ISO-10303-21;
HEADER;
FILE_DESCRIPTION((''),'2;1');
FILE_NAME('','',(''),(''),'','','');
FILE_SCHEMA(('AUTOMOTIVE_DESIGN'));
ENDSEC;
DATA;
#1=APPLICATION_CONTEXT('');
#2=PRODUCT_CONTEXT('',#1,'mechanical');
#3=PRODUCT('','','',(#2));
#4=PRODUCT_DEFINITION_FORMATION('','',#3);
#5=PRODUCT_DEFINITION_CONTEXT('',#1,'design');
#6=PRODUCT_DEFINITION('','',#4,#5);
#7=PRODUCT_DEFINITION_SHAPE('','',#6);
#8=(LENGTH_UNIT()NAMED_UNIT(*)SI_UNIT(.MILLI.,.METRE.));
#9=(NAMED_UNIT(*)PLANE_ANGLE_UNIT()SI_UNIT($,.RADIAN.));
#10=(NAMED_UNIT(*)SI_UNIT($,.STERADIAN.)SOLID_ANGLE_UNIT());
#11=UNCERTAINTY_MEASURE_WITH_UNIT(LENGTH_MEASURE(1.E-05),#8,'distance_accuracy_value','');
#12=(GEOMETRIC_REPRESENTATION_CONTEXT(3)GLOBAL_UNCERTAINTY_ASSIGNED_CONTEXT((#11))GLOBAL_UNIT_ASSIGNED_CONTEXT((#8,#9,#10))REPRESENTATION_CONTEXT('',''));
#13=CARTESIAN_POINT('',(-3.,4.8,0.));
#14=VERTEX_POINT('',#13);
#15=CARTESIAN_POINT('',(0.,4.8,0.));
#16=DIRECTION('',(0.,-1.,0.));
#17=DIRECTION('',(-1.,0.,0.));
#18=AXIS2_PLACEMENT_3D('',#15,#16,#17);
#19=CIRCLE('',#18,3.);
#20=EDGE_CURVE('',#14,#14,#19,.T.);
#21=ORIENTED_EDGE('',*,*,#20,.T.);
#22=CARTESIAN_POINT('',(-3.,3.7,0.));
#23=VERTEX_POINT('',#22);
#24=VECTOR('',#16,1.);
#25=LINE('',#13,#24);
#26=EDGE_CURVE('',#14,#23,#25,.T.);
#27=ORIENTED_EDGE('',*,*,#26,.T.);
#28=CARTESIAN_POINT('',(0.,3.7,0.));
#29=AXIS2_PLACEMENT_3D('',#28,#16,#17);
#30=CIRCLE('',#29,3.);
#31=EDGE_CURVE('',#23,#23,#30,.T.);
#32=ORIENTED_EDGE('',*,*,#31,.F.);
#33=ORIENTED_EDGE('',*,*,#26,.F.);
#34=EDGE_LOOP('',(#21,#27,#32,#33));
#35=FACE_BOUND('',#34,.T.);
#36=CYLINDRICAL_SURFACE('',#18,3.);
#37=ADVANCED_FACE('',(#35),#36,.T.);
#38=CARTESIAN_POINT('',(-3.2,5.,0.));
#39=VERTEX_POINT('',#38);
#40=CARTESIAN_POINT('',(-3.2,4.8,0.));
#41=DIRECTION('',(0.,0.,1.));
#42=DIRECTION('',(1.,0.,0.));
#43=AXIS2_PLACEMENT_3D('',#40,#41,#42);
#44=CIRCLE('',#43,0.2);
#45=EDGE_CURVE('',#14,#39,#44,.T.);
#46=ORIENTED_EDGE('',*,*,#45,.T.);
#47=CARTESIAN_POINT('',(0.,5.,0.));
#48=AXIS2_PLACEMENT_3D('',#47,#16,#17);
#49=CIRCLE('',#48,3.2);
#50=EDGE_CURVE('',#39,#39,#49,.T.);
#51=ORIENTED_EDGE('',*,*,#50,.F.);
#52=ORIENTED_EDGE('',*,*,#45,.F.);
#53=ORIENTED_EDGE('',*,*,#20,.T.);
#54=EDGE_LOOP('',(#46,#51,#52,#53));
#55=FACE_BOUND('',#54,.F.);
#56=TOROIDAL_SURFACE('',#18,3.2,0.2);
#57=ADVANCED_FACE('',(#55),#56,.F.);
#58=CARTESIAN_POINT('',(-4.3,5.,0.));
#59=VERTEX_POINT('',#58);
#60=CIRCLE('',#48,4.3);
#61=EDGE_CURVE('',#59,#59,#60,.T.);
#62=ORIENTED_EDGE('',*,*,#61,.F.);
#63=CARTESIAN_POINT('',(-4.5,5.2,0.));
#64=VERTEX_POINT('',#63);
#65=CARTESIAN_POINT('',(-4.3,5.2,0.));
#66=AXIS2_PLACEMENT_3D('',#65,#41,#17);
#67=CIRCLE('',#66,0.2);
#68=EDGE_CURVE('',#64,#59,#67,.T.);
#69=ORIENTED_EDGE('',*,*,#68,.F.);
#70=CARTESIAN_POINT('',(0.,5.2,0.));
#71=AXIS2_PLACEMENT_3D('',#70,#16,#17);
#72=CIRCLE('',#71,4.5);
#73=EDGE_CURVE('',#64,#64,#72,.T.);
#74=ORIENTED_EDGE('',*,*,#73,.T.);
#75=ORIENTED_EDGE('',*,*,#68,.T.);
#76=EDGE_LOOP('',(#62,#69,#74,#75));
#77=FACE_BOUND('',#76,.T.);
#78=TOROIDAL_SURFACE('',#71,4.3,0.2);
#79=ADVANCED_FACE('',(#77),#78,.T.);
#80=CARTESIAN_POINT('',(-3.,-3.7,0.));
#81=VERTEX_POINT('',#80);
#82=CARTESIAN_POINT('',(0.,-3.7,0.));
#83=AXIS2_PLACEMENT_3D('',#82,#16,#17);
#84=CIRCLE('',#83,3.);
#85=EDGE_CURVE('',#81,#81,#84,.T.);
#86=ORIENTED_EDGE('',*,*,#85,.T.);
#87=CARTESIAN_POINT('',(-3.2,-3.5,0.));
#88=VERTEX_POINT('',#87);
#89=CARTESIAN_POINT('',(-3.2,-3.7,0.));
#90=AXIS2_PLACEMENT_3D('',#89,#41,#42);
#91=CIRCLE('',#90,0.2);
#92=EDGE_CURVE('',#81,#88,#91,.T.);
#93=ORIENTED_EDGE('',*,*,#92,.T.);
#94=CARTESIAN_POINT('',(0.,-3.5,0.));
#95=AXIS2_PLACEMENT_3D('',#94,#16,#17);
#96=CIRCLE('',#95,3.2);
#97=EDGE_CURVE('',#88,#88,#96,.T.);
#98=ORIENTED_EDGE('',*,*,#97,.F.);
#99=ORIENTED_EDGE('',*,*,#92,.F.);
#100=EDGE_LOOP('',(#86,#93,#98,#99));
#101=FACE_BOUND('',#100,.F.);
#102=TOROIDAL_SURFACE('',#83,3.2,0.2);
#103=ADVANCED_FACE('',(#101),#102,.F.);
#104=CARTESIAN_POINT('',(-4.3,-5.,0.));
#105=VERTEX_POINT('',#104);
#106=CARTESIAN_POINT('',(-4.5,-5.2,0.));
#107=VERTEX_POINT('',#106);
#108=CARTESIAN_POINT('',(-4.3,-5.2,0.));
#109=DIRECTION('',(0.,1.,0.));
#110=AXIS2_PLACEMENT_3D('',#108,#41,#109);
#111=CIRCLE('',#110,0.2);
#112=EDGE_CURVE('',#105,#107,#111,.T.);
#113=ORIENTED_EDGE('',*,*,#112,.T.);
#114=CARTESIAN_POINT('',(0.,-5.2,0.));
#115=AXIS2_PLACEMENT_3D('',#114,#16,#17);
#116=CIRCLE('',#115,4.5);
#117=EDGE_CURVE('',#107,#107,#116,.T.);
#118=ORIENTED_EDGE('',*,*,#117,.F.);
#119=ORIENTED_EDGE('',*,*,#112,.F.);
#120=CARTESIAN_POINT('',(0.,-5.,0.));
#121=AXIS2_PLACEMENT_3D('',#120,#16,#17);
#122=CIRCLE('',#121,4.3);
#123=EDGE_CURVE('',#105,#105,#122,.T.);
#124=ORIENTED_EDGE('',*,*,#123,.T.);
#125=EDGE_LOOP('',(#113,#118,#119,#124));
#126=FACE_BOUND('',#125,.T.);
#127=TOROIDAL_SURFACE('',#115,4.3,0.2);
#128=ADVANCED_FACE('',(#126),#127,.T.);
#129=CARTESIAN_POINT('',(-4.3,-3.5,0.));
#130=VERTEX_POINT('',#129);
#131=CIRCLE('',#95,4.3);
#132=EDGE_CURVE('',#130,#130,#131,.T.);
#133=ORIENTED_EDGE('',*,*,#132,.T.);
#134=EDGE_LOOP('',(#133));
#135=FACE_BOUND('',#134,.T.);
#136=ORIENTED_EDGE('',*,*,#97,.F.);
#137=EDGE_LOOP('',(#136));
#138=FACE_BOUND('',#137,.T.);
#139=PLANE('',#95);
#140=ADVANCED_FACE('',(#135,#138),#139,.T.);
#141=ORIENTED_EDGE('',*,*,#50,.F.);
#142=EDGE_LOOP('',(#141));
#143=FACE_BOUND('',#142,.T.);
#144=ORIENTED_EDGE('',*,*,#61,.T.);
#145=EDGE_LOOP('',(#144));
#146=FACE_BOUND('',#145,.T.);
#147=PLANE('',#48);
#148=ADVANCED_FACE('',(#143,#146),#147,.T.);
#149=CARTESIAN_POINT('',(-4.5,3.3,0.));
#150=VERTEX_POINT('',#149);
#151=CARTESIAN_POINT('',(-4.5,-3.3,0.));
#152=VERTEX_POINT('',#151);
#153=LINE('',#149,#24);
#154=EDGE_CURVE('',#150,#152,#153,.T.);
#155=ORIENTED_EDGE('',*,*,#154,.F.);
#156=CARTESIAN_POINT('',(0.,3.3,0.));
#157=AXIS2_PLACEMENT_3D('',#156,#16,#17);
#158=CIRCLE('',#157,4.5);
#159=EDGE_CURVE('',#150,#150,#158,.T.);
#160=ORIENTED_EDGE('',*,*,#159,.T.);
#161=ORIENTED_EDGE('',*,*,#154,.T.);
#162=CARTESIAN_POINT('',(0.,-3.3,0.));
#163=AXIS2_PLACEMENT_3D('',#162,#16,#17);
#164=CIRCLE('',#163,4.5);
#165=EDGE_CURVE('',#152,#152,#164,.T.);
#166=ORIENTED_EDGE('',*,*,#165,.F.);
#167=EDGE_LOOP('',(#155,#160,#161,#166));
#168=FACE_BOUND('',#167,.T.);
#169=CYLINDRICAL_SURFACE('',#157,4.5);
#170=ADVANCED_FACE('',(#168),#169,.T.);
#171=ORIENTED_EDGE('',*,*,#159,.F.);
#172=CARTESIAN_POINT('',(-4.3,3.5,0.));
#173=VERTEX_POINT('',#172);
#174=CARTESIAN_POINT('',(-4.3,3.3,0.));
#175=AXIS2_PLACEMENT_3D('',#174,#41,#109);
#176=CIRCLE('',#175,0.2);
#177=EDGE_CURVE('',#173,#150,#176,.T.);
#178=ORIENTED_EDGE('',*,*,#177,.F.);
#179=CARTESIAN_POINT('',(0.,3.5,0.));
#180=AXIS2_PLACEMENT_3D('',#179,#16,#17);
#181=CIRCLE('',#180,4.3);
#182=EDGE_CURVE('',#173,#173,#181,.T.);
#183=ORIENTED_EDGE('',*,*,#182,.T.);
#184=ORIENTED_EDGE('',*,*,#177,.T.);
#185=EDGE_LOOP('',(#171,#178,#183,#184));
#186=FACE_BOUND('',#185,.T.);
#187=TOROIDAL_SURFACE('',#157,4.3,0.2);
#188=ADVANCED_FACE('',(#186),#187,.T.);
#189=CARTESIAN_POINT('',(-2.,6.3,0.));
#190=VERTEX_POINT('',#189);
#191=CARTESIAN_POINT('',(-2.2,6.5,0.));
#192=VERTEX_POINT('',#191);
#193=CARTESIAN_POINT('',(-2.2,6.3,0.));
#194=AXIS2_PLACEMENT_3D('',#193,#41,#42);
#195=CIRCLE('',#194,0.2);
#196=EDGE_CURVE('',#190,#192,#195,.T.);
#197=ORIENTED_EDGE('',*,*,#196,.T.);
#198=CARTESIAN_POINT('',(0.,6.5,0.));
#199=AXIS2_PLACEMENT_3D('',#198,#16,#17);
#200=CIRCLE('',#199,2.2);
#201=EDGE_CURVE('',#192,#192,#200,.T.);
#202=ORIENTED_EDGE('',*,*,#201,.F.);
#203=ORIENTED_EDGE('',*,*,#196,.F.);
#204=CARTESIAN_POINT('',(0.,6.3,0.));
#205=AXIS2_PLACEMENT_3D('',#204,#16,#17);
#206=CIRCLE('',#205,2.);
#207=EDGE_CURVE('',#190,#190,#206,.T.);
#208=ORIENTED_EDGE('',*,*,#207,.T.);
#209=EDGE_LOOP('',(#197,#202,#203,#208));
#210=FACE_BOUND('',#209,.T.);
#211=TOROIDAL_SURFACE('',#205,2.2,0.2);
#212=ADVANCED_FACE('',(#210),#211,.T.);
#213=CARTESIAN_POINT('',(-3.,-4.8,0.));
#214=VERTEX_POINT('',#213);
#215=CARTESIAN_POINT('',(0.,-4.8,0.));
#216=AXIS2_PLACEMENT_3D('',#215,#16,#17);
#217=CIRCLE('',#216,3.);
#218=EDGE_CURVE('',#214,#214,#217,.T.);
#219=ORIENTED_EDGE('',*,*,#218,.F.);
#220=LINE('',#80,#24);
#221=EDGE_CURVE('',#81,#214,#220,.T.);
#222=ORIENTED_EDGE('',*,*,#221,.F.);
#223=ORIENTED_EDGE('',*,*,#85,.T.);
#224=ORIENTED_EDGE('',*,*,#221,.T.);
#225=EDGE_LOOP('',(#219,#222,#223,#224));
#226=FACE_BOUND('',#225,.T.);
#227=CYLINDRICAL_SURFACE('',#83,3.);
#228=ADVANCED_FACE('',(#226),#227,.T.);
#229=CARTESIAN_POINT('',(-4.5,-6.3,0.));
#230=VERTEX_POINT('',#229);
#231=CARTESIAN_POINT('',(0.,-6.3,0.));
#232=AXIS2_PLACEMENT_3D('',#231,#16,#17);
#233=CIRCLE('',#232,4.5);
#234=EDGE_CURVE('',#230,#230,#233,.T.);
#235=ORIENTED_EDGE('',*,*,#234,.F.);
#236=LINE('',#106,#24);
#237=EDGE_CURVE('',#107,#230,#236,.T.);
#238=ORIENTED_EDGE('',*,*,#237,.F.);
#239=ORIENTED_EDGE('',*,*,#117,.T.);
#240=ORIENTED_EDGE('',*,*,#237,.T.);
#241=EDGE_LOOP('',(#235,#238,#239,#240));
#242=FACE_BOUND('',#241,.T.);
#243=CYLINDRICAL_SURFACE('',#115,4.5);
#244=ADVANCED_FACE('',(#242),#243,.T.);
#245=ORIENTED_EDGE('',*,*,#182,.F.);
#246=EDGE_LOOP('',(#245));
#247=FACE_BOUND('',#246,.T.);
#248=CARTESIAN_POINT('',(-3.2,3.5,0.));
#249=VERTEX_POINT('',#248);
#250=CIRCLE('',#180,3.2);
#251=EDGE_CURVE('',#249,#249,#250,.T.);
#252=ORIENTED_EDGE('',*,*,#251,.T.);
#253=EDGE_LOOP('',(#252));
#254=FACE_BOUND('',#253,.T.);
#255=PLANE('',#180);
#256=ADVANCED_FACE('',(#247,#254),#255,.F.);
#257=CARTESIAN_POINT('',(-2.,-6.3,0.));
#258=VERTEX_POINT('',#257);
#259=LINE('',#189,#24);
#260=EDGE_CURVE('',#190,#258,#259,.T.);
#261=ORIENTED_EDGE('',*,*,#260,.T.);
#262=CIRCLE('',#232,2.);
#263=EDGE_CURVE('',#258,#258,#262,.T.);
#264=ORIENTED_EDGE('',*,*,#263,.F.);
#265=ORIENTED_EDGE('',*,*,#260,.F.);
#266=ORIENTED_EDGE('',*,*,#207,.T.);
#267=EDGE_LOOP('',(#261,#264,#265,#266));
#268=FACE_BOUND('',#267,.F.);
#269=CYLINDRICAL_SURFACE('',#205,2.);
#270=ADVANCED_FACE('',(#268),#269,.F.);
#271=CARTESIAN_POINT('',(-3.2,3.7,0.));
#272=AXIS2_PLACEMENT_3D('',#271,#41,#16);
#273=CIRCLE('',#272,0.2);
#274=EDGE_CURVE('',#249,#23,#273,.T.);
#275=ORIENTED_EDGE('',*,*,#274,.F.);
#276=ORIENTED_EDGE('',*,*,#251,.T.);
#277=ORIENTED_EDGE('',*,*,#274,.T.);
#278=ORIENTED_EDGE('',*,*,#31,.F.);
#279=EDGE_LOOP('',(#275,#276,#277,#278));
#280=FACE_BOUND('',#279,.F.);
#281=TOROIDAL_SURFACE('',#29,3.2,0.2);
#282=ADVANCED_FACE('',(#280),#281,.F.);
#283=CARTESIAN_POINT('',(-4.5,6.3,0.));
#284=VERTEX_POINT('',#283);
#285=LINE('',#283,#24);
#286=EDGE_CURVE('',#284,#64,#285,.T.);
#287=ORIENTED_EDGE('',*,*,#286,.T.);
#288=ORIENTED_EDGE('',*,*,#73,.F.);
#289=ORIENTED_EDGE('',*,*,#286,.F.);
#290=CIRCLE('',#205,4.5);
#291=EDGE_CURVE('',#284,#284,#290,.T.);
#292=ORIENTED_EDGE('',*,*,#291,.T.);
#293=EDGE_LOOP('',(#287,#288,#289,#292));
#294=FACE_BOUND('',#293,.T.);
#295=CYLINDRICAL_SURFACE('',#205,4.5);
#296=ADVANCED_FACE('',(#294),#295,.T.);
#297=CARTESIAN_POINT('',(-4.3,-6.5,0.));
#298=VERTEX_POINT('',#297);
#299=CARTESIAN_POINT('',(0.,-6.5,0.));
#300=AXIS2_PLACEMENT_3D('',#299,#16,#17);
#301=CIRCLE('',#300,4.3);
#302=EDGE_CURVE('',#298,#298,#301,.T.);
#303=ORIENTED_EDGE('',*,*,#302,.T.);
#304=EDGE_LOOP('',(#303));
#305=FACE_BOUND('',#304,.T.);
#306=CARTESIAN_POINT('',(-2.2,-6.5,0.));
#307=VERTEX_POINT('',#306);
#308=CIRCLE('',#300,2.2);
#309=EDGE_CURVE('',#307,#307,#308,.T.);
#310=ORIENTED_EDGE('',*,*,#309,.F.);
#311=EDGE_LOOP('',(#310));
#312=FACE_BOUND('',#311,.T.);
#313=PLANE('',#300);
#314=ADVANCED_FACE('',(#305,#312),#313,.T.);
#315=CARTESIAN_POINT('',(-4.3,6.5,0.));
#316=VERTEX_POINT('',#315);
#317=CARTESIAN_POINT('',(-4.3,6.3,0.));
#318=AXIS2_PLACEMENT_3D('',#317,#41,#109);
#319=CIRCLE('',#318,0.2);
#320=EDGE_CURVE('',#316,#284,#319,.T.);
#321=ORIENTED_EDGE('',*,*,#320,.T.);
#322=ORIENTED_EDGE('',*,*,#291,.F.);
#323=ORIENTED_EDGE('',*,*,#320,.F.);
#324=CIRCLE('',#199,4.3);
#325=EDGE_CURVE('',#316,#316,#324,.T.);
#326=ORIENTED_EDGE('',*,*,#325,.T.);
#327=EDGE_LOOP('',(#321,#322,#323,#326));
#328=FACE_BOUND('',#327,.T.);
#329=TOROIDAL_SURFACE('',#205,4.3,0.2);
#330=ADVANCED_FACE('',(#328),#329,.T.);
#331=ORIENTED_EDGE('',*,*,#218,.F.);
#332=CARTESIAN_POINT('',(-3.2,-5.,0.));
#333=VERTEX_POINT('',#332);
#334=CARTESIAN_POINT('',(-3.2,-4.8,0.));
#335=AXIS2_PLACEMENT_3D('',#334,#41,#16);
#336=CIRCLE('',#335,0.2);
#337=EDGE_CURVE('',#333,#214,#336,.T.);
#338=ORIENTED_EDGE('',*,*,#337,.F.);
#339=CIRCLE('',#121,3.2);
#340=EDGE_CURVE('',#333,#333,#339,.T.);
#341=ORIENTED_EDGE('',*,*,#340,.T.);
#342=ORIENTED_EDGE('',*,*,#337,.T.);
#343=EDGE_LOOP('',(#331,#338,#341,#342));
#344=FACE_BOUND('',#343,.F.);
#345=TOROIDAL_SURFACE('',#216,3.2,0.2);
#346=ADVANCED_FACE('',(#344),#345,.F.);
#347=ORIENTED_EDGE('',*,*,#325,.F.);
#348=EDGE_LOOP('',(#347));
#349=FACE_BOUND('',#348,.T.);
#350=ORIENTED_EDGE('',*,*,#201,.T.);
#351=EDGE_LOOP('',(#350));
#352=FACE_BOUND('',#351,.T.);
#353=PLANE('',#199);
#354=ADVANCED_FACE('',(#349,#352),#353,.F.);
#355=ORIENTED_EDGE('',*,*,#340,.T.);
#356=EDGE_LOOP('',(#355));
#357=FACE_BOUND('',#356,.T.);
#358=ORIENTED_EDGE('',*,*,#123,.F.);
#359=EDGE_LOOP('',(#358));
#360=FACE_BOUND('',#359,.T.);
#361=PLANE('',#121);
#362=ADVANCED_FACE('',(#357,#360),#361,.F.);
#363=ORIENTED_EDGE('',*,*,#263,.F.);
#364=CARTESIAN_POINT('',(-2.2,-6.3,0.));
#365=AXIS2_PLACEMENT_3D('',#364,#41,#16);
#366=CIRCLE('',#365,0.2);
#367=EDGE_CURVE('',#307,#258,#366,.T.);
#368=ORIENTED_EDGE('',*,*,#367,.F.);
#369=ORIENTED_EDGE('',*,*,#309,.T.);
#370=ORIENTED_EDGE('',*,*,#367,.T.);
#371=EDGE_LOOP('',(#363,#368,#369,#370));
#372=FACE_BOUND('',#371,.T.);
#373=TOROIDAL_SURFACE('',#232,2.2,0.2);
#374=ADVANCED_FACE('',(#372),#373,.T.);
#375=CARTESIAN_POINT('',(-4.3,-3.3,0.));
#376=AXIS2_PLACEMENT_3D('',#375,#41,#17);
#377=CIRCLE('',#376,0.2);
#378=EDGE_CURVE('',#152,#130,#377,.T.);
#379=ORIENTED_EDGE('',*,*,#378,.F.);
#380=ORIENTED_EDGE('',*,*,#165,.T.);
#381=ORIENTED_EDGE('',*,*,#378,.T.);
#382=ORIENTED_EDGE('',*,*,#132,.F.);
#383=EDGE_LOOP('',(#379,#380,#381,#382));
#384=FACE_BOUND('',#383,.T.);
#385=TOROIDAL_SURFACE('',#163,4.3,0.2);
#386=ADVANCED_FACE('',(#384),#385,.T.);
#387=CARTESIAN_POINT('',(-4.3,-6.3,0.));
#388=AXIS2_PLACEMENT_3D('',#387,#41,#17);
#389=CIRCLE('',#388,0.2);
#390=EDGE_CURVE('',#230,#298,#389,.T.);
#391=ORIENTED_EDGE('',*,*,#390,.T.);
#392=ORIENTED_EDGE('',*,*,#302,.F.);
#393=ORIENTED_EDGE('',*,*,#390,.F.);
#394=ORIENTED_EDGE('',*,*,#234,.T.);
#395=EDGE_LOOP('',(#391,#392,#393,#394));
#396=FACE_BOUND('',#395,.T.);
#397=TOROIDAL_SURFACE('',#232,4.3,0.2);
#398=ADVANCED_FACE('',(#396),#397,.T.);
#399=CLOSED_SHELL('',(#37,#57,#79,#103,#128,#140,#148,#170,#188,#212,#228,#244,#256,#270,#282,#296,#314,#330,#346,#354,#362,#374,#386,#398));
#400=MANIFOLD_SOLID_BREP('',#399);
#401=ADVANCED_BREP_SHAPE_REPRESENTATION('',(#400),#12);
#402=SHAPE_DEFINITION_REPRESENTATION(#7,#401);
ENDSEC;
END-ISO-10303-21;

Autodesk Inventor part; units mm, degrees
ref_plane "YZ Plane" through (0, 0, 0) normal (1, 0, 0) x (0, 1, 0)
ref_plane "XZ Plane" through (0, 0, 0) normal (0, 1, 0) x (-1, 0, 0)
ref_plane "XY Plane" through (0, 0, 0) normal (0, 0, 1) x (1, 0, 0)
sketch "Sketch1" plane through (0, 0, 0) normal (0, 0, 1) x (1, 0, 0)
  line L0 (0, 6.5) -> (0, -6.5)
  line L1 (0, 0) -> (-4.5, 0) construction
  line L2 (-2.2, 6.5) -> (-4.3, 6.5)
  line L3 (-4.5, 6.3) -> (-4.5, 5.2)
  line L4 (-4.3, 5) -> (-3.2, 5)
  line L5 (-3, 4.8) -> (-3, 3.7)
  line L6 (-3.2, 3.5) -> (-4.3, 3.5)
  line L7 (-4.5, 3.3) -> (-4.5, -3.3)
  line L8 (-4.3, -3.5) -> (-3.2, -3.5)
  line L9 (-3, -3.7) -> (-3, -4.8)
  line L10 (-3.2, -5) -> (-4.3, -5)
  line L11 (-4.5, -5.2) -> (-4.5, -6.3)
  line L12 (-4.3, -6.5) -> (-2.2, -6.5)
  line L13 (-2, 6.3) -> (-2, -6.3)
  arc A0 (-2, 6.3) -> (-2.2, 6.5) centre (-2.2, 6.3) ccw
  arc A1 (-4.3, 6.5) -> (-4.5, 6.3) centre (-4.3, 6.3) ccw
  arc A2 (-4.5, 5.2) -> (-4.3, 5) centre (-4.3, 5.2) ccw
  arc A3 (-3, 4.8) -> (-3.2, 5) centre (-3.2, 4.8) ccw
  arc A4 (-3.2, 3.5) -> (-3, 3.7) centre (-3.2, 3.7) ccw
  arc A5 (-4.5, -6.3) -> (-4.3, -6.5) centre (-4.3, -6.3) ccw
  arc A6 (-4.3, -5) -> (-4.5, -5.2) centre (-4.3, -5.2) ccw
  arc A7 (-3.2, -5) -> (-3, -4.8) centre (-3.2, -4.8) ccw
  arc A8 (-3, -3.7) -> (-3.2, -3.5) centre (-3.2, -3.7) ccw
  arc A9 (-4.5, -3.3) -> (-4.3, -3.5) centre (-4.3, -3.3) ccw
  arc A10 (-4.3, 3.5) -> (-4.5, 3.3) centre (-4.3, 3.3) ccw
  arc A11 (-2.2, -6.5) -> (-2, -6.3) centre (-2.2, -6.3) ccw
  dimension "d3" = 4
  dimension "d4" = 6
  dimension "d5" = 9
  dimension "d6" = 0.2
  dimension "d8" = 1.5
  dimension "d9" = 13
  dimension "d10" = 3
revolve "Revolution1" add sketch "Sketch1" angle 360 about axis through (0, 6.5, 0) along (0, -1, 0)
properties part number "Damper"
